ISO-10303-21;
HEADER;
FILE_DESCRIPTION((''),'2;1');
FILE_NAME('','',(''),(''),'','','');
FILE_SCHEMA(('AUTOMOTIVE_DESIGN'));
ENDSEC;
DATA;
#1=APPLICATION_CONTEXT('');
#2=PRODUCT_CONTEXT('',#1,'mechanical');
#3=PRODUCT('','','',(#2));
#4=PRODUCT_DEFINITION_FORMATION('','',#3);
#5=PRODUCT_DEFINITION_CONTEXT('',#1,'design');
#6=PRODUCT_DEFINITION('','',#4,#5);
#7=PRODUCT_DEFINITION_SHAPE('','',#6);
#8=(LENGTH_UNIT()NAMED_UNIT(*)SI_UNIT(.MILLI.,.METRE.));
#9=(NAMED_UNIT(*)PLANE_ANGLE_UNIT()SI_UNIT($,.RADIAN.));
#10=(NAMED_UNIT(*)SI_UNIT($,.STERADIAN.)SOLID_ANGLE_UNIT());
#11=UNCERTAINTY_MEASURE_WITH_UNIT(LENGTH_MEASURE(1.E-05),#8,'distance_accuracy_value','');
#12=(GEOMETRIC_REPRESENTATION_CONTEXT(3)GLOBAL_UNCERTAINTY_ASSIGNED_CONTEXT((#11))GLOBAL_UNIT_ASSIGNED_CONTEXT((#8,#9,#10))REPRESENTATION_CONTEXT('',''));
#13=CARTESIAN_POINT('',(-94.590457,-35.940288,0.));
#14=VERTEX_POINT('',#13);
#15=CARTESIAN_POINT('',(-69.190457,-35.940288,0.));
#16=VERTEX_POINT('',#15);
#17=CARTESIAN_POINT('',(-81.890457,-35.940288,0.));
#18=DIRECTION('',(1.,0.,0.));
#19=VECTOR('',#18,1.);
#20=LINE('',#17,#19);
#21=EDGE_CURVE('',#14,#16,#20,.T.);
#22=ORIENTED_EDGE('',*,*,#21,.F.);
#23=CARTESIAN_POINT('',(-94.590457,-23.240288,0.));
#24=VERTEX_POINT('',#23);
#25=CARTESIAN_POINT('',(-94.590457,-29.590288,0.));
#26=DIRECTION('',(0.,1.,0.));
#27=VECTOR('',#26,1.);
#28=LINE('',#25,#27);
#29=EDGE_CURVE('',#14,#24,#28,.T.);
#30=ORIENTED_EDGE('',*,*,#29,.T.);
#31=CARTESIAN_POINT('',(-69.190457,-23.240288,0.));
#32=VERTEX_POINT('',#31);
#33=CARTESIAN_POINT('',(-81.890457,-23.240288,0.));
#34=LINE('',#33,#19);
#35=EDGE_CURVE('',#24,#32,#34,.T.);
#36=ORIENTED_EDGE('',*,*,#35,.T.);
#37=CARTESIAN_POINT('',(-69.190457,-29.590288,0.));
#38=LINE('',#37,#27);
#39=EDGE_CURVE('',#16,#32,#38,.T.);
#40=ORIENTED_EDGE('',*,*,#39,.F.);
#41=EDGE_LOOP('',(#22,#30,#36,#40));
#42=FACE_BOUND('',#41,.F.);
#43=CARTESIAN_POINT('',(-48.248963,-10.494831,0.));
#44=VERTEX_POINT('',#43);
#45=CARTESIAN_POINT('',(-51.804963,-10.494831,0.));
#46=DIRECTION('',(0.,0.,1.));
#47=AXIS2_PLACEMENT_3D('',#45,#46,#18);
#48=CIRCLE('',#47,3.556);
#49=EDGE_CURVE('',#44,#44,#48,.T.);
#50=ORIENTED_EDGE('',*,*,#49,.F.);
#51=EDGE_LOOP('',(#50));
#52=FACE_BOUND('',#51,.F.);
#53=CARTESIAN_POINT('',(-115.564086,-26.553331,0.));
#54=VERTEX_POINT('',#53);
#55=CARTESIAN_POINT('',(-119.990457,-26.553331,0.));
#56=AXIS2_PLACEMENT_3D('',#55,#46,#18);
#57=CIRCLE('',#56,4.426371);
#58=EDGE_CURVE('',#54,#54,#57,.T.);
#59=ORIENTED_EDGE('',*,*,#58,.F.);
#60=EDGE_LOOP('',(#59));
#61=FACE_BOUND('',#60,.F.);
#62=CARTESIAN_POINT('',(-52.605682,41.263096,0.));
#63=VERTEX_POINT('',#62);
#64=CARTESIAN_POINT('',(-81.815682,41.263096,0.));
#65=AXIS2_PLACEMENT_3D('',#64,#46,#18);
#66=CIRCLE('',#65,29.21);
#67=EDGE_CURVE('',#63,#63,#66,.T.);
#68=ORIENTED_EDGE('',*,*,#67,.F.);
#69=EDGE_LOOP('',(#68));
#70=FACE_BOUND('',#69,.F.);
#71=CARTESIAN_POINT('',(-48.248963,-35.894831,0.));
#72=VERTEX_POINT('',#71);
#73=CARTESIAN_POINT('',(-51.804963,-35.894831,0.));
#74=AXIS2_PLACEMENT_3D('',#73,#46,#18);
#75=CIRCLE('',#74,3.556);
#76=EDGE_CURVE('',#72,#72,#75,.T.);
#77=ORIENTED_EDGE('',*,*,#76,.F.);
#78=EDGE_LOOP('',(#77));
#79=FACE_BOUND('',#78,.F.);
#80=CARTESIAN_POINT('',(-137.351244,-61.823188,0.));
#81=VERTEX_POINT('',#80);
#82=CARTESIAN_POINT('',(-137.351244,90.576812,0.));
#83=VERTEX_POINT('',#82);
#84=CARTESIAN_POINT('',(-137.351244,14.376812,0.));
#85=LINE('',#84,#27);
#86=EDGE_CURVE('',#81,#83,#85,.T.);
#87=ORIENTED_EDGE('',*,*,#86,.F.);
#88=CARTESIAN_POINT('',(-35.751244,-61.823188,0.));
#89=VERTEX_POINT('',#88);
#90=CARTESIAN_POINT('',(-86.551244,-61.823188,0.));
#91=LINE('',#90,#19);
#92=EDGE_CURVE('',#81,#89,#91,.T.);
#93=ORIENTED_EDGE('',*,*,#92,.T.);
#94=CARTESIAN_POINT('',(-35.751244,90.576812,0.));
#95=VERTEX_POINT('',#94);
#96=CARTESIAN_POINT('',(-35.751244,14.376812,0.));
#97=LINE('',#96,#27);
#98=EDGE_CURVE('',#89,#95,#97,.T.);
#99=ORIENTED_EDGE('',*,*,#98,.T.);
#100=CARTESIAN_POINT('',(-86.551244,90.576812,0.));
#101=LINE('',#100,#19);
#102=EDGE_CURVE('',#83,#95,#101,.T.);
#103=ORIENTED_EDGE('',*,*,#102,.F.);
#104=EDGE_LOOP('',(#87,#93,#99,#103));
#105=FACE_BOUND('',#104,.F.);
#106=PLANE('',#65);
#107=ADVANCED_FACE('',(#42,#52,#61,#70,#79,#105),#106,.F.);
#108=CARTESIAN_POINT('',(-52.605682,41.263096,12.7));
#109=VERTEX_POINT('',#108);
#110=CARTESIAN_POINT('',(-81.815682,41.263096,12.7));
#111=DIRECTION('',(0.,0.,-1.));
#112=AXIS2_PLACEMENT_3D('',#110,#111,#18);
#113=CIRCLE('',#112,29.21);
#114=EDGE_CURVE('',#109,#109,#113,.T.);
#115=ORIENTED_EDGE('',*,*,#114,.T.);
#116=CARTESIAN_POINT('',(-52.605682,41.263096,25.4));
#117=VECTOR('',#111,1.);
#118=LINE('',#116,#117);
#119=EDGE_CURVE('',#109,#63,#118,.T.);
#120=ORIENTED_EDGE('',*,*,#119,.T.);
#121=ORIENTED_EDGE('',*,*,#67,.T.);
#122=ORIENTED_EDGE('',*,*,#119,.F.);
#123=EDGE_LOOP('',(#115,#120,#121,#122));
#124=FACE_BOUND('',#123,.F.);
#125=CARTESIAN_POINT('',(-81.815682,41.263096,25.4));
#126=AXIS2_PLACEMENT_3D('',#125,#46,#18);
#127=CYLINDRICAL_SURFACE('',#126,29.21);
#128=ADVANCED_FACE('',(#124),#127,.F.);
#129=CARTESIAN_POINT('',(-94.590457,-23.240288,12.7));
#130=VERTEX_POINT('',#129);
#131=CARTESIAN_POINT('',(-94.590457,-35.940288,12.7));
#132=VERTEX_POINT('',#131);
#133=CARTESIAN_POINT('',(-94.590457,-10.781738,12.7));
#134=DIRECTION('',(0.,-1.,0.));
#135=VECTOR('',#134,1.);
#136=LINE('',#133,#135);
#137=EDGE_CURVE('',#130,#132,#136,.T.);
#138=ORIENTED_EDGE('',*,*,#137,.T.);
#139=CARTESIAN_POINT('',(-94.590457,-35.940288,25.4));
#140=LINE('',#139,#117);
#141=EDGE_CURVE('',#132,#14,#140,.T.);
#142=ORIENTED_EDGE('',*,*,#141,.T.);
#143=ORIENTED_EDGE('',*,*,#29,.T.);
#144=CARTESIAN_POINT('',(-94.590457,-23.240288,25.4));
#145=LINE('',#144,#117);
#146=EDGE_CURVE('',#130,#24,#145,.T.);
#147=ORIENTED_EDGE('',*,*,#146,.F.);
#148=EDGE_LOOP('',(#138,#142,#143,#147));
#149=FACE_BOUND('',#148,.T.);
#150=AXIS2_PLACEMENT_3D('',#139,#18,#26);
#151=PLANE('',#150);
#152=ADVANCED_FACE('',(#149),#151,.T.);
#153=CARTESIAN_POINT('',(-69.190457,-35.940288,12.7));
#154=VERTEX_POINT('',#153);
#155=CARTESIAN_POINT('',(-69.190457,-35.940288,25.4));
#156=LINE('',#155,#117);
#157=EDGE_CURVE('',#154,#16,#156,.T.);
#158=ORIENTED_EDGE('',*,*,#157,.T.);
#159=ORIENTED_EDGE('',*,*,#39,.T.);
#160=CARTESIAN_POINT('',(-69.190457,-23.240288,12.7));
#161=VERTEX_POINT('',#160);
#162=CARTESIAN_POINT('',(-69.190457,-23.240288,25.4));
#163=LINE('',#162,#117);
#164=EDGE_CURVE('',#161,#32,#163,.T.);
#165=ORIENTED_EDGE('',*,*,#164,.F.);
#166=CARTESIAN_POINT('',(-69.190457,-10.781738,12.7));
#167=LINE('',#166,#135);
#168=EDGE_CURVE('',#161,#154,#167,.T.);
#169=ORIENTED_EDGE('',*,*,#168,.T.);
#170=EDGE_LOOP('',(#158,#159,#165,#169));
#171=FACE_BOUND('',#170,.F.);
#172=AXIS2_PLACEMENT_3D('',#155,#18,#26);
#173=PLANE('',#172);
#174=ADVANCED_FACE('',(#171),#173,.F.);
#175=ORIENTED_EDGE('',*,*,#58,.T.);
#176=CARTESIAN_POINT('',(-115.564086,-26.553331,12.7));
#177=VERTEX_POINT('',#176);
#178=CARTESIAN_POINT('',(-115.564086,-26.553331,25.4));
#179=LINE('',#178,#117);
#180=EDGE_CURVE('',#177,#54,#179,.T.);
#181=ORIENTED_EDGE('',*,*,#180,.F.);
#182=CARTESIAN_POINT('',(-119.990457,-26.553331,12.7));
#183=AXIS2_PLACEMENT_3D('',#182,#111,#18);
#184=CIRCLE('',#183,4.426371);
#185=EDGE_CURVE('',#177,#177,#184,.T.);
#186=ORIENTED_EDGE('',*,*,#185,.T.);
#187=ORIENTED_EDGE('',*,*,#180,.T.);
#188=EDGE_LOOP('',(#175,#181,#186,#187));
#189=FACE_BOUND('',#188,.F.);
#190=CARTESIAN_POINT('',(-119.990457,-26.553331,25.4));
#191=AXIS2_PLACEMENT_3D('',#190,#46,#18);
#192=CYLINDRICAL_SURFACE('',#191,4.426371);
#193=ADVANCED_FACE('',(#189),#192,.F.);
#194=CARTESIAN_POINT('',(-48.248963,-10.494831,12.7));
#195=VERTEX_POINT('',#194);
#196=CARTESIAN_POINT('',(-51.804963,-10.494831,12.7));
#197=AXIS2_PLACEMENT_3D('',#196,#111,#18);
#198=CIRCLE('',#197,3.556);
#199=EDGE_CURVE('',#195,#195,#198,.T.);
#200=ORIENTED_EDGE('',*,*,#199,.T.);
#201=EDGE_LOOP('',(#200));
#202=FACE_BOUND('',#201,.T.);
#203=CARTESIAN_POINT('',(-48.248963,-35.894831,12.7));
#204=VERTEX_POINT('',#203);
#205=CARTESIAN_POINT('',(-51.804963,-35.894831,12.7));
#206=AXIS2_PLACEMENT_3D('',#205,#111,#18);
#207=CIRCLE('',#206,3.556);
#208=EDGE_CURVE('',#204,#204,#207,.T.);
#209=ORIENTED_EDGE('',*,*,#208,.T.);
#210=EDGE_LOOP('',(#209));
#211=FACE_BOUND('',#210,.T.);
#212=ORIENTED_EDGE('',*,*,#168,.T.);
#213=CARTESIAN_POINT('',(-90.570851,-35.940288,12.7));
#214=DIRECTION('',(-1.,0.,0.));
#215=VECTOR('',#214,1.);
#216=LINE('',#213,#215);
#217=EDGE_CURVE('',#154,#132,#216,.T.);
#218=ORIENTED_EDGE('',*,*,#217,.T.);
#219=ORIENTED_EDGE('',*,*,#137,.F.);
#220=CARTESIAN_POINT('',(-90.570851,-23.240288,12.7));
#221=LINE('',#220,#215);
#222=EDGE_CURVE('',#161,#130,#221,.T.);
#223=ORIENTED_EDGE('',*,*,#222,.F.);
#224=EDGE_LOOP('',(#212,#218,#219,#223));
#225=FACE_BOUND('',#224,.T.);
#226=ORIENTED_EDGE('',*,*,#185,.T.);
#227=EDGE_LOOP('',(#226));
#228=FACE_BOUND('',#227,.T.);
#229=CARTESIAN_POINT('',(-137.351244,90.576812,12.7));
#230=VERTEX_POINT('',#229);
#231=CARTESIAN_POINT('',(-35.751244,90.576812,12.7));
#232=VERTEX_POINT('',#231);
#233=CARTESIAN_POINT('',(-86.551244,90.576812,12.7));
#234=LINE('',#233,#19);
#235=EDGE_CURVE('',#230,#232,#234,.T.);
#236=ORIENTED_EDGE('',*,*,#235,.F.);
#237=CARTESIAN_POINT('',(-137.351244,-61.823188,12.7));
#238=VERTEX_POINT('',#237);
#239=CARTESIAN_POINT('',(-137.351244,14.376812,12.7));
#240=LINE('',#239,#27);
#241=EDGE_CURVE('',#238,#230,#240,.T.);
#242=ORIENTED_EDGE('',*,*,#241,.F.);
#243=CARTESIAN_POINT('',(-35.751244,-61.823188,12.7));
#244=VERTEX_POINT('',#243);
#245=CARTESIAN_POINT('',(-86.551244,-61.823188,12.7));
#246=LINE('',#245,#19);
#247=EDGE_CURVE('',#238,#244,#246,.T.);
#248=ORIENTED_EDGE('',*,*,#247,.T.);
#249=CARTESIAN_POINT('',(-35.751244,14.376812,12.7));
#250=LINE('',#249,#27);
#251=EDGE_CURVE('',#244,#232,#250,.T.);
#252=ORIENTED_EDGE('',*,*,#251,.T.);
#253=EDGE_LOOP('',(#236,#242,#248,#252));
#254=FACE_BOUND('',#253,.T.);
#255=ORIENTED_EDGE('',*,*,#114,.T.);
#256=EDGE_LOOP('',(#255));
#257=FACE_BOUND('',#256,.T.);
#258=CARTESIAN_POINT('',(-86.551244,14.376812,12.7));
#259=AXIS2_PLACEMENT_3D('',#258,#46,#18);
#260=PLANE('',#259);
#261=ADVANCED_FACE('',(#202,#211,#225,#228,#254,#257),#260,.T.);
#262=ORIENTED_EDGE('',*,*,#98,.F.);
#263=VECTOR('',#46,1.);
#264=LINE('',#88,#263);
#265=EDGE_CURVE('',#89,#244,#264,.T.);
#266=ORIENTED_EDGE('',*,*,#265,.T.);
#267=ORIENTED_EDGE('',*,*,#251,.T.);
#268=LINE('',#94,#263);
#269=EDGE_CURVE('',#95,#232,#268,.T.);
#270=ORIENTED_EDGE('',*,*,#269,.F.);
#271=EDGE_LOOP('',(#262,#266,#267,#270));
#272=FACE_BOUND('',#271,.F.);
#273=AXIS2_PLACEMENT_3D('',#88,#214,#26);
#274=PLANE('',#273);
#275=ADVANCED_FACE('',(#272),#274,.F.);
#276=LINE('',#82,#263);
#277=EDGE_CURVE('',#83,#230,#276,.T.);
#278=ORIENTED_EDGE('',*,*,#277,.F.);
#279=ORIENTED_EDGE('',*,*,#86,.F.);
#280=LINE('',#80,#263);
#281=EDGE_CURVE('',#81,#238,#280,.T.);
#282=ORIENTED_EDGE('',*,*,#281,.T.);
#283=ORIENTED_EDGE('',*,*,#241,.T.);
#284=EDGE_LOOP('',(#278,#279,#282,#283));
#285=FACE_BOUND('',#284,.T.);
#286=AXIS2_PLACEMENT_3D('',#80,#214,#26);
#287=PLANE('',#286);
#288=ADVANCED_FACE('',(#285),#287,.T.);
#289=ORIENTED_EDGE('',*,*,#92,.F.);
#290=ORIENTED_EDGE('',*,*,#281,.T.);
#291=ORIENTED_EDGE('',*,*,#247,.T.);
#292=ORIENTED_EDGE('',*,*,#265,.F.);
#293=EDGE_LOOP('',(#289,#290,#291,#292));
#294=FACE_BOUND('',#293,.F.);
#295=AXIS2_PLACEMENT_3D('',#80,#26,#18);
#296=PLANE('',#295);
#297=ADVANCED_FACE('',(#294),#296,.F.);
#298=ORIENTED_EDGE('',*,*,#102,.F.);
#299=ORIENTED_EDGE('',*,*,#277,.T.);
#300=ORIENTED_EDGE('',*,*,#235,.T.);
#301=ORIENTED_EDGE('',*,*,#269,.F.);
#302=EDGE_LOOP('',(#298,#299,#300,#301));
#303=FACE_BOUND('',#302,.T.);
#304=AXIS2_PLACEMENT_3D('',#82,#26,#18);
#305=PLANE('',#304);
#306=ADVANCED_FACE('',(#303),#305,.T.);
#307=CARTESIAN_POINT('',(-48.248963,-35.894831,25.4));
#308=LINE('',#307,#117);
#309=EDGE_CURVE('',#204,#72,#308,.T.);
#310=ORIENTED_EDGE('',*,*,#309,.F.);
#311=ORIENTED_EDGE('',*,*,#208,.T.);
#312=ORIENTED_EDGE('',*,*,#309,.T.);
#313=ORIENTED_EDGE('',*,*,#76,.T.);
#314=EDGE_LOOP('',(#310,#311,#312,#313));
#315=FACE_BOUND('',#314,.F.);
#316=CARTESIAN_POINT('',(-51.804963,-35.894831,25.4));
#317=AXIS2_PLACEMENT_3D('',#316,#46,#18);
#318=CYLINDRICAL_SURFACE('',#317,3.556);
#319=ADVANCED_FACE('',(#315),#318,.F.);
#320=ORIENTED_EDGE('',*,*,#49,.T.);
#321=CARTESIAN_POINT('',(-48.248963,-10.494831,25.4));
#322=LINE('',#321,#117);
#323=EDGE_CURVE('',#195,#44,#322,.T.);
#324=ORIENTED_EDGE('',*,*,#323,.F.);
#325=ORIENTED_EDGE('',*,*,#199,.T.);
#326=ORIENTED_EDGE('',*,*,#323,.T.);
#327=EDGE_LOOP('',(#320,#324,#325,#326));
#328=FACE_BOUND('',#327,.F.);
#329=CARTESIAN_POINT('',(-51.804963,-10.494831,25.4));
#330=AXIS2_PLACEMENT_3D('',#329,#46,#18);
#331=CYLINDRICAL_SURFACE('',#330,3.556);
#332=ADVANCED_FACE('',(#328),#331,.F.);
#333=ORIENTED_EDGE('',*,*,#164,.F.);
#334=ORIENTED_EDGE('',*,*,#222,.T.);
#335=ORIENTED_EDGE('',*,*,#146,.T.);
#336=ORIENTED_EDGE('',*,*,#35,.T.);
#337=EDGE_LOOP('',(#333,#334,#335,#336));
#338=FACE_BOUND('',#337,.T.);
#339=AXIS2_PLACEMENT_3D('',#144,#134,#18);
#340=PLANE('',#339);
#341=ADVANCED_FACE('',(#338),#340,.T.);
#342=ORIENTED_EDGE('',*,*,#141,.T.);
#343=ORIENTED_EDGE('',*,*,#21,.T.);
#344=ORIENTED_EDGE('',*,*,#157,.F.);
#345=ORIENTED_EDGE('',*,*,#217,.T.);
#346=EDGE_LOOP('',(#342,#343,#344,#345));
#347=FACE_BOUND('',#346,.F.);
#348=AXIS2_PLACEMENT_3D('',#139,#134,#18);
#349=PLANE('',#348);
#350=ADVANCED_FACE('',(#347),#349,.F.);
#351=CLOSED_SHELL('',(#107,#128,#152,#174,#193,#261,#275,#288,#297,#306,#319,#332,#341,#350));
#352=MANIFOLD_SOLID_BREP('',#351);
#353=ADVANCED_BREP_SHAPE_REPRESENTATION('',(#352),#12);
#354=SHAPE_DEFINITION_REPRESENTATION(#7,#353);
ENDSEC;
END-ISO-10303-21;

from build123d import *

# Parameters (mm, degrees)
F0_W        = 101.6
F0_H        = 152.4
F4_DEPTH    = 12.7
F1_R        = 29.21
F2_R        = 4.426371
F2_W        = 25.4
F2_H        = 12.7
F3_R        = 3.556
F5_DEPTH    = 25.4
F5_FACE_W   = 25.4
F5_FACE_H   = 12.7
F5_FACE_R   = 29.21
F5_FACE_R_2 = 3.556
F5_FACE_R_3 = 4.426371
F6_DEPTH    = 25.4


with BuildPart() as f4:
    # F0 (on Top) → F4 (new body)
    with BuildSketch(Plane.XY):
        with Locations((-86.551244, 14.376812)):
            Rectangle(F0_W, F0_H)
    extrude(amount=F4_DEPTH)

    # F1 (on Top) + F2 (on Top) + F3 (on Top) → F5 (join)
    with BuildSketch(Plane.XY):
        with Locations((-81.815682, 41.263096)):
            Circle(F1_R)
    with BuildSketch(Plane.XY):
        with Locations((-119.990457, -26.553331)):
            Circle(F2_R)
        with Locations((-81.890457, -29.590288)):
            Rectangle(F2_W, F2_H)
    with BuildSketch(Plane.XY):
        with Locations((-51.804963, -10.494831)):
            Circle(F3_R)
        with Locations((-51.804963, -35.894831)):
            Circle(F3_R)
    extrude(amount=F5_DEPTH)

    # F5_face (on face) → F6 (cut)
    with BuildSketch(Plane(origin=(-81.890457, -29.590288, 25.4), x_dir=(1, 0, 0), z_dir=(0, 0, 1))):
        Rectangle(F5_FACE_W, F5_FACE_H)
        with Locations((0.074775, 70.853384)):
            Circle(F5_FACE_R)
        with Locations((30.085494, 19.095457)):
            Circle(F5_FACE_R_2)
        with Locations((30.085494, -6.304543)):
            Circle(F5_FACE_R_2)
        with Locations((-38.1, 3.036957)):
            Circle(F5_FACE_R_3)
    extrude(amount=-F6_DEPTH, mode=Mode.SUBTRACT)


solid = f4.part
